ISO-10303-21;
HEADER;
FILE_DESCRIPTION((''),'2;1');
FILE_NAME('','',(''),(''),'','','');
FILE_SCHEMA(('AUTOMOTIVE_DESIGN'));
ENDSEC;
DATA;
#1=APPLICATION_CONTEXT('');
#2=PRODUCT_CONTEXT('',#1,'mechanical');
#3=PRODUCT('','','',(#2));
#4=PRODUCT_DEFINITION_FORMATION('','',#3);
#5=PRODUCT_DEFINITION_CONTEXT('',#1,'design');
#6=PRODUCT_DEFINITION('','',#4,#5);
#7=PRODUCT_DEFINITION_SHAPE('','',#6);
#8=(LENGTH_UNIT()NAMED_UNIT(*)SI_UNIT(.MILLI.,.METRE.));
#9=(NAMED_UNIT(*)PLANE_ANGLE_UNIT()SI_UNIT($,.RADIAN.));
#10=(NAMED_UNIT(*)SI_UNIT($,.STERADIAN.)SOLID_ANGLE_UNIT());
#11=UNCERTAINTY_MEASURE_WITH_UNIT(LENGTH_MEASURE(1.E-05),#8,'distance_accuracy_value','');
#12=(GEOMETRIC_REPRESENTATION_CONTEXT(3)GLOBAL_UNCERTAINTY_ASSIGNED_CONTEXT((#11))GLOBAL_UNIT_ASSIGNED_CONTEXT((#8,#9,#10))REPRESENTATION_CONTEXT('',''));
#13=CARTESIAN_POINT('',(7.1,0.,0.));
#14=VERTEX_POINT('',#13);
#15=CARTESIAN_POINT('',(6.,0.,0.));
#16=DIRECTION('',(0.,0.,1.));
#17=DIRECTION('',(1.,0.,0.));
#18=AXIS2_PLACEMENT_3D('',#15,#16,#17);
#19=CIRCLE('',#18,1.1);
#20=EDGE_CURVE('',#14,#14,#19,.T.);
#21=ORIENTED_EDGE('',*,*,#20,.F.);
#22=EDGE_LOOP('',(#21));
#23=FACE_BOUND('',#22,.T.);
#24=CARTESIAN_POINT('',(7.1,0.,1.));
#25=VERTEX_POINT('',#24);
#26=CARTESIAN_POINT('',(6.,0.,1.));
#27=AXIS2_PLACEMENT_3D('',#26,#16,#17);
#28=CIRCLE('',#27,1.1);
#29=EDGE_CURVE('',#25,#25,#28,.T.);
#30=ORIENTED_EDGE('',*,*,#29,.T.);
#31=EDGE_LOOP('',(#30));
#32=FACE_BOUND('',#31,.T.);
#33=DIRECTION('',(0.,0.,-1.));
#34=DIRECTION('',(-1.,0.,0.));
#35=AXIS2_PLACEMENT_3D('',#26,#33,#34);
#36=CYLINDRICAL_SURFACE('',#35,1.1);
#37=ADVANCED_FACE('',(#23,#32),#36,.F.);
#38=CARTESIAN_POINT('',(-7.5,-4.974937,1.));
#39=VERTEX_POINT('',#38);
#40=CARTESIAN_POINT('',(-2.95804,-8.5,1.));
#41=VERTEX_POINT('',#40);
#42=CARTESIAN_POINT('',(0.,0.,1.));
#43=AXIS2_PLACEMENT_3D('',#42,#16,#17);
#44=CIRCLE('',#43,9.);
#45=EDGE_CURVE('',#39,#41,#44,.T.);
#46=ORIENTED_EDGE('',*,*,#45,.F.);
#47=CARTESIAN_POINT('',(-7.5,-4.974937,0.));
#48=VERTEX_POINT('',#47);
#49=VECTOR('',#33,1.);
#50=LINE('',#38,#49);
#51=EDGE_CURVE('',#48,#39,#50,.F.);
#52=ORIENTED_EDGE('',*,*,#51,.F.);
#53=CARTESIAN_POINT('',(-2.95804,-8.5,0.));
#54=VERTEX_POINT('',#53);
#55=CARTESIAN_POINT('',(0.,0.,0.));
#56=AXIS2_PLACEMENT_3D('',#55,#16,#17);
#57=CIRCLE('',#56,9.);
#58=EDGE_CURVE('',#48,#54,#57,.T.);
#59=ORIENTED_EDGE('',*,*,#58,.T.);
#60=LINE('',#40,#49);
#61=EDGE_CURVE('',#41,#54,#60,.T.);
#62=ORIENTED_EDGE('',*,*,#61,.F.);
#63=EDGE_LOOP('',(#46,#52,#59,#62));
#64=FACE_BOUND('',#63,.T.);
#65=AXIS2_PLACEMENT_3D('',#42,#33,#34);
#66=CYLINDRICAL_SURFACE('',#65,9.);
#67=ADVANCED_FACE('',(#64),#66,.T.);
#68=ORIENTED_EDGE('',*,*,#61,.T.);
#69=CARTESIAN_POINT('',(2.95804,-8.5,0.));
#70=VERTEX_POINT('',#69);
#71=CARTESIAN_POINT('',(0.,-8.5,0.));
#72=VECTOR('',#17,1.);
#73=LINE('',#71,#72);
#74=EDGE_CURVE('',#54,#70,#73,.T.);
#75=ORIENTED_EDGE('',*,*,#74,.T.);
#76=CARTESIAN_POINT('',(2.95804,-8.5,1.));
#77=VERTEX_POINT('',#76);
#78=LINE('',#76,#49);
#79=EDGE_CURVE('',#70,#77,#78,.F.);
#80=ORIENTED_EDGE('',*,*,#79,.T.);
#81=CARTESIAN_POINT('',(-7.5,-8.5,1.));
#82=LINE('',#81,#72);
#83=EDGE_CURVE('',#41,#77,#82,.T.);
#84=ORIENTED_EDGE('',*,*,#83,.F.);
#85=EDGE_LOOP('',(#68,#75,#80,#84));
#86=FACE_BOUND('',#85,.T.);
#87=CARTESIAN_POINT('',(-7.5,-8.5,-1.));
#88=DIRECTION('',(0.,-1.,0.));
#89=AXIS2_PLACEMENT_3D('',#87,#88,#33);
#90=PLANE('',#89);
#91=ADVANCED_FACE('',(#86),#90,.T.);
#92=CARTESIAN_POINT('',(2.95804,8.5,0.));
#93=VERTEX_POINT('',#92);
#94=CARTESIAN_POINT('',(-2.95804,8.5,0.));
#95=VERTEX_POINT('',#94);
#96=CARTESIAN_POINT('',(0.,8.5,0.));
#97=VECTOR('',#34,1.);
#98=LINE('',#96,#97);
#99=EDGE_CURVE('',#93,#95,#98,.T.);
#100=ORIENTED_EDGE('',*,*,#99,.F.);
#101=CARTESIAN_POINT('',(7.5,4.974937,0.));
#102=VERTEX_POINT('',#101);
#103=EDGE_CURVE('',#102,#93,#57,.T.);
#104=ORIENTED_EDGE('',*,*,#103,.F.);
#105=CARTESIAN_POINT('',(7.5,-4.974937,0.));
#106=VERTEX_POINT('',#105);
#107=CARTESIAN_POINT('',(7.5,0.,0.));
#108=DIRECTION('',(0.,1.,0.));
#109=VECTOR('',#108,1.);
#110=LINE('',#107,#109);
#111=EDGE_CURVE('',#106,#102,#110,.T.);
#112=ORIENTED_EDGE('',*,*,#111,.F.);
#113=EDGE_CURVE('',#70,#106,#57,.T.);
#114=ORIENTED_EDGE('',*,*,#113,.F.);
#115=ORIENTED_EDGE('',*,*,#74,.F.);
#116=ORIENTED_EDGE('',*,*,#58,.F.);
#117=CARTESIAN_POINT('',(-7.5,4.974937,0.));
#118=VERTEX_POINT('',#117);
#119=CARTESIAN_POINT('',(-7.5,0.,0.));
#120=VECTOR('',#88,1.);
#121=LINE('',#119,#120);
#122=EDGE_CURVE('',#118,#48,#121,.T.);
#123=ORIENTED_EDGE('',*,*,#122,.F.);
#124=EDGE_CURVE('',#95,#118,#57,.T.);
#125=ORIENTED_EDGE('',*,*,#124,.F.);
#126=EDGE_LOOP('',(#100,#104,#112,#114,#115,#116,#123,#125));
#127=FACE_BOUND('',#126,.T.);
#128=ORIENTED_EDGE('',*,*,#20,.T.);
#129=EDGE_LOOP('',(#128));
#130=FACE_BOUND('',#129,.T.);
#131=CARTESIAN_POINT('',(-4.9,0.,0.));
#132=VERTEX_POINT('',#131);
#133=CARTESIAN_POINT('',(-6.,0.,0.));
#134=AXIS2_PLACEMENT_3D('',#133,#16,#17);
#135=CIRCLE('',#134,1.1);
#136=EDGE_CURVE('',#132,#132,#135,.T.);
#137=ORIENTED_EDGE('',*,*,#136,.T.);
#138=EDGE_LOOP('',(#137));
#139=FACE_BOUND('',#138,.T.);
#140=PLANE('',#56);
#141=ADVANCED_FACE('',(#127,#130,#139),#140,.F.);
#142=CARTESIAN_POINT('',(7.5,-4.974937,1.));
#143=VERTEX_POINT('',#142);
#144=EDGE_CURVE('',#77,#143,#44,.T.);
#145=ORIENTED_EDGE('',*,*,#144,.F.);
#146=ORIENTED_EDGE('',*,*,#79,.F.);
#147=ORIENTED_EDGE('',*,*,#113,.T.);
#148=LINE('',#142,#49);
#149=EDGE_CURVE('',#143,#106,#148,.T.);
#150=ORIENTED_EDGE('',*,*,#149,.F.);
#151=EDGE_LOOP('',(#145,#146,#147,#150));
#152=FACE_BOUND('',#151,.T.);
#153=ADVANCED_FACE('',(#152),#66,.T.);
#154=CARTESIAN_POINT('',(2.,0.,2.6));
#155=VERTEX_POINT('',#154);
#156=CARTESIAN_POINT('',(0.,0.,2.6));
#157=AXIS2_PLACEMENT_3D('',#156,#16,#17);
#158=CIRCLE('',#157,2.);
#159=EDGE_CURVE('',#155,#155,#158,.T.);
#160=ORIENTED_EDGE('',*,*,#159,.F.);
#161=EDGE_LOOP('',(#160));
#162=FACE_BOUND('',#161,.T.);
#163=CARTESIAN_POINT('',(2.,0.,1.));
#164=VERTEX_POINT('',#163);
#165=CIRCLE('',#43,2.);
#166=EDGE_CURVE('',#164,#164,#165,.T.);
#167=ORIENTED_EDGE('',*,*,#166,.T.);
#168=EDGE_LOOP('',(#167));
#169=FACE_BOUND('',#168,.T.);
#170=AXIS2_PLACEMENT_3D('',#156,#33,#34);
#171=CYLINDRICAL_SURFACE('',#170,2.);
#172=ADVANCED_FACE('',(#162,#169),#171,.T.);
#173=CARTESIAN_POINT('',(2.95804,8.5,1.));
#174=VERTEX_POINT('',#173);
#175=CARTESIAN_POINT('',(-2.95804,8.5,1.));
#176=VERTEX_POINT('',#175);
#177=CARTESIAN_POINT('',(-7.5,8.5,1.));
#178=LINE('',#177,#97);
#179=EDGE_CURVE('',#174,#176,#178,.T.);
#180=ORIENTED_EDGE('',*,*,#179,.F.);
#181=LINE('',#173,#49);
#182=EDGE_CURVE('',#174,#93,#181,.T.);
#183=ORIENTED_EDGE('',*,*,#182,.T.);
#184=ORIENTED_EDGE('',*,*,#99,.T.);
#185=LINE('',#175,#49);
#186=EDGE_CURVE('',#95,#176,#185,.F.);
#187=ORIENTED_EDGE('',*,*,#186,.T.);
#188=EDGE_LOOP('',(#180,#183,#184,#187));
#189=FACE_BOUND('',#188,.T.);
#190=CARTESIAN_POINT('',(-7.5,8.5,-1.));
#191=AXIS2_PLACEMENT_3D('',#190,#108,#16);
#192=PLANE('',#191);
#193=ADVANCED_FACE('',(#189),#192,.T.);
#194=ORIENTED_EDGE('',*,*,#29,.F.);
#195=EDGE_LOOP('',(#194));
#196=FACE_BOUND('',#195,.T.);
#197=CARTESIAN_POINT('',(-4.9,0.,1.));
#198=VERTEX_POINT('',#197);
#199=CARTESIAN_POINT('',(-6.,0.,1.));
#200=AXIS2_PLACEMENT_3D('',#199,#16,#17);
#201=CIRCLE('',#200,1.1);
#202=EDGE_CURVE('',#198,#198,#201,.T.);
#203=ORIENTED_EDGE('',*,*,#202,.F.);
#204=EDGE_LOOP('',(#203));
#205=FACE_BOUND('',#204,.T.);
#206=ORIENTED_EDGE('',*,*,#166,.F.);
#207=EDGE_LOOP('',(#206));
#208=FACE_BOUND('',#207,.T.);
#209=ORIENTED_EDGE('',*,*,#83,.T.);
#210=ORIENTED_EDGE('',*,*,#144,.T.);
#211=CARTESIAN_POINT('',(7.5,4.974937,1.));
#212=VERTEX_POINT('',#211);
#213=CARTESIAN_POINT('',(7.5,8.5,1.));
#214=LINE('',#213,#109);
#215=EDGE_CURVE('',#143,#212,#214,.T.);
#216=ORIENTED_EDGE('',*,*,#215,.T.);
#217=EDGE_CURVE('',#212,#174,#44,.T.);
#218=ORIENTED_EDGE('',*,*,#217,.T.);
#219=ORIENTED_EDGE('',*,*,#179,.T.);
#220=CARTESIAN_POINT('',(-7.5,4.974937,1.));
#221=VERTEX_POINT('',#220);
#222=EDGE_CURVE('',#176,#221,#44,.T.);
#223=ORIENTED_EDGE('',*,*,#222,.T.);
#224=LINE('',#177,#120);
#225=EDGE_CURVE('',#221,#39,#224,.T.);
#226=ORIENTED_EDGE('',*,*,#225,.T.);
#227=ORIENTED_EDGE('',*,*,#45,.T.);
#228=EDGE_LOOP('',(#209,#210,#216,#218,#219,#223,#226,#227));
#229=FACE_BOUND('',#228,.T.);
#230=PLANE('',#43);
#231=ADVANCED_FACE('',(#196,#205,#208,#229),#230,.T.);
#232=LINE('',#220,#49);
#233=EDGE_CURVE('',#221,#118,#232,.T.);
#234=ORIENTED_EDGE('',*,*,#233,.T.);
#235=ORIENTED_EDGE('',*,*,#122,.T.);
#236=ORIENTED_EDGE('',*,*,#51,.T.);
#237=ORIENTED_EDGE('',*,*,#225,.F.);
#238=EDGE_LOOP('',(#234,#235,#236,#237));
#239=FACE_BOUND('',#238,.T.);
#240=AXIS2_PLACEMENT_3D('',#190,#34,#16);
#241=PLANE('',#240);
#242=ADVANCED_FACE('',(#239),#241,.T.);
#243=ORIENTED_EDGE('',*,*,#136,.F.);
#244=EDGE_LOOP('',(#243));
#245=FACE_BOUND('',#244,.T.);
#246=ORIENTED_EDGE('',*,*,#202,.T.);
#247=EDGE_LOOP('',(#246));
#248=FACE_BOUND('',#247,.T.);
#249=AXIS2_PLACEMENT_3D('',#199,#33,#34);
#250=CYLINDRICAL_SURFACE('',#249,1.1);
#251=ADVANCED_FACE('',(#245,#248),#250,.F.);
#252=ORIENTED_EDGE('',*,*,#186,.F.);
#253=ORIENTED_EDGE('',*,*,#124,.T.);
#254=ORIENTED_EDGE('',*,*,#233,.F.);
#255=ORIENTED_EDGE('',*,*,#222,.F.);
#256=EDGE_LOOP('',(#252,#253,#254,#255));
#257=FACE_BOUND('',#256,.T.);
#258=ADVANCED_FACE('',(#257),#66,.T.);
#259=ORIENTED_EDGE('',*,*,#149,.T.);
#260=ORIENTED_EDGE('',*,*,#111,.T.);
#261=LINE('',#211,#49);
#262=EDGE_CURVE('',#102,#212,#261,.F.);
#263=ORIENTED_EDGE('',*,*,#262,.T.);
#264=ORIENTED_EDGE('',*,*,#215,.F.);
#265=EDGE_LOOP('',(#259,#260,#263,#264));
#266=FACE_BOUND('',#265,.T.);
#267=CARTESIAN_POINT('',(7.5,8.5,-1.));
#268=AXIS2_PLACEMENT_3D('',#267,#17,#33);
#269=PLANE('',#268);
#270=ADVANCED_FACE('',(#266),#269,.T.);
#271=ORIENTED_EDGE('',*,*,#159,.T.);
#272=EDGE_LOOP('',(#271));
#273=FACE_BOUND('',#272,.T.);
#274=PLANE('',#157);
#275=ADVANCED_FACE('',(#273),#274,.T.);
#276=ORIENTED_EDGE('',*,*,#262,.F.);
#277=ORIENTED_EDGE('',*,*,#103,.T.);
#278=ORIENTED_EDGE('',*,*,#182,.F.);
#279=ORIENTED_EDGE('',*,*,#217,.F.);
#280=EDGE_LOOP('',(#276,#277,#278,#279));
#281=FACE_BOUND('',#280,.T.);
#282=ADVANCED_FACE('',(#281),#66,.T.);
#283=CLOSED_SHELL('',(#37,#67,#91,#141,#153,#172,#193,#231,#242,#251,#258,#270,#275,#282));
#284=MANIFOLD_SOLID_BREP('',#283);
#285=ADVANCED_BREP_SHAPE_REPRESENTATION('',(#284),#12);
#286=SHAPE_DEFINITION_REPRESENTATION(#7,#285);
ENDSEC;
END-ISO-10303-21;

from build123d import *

# Parameters (mm, degrees)
SKETCH_1_R          = 9
SKETCH_1_R_2        = 1.1
EXTRUDE_1_DEPTH     = 1
SKETCH_2_W          = 32.389432278
SKETCH_2_H          = 26.120675296
SKETCH_2_W_2        = 15
SKETCH_2_H_2        = 17
CUT_EXTRUDE_1_DEPTH = 2
SKETCH_3_R          = 2
EXTRUDE_2_DEPTH     = 1.6


with BuildPart() as part:
    # 草图1 → 凸台-拉伸1 (new body)
    with BuildSketch(Plane.XY):
        Circle(SKETCH_1_R)
        with Locations((6, 0)):
            Circle(SKETCH_1_R_2, mode=Mode.SUBTRACT)
        with Locations((-6, 0)):
            Circle(SKETCH_1_R_2, mode=Mode.SUBTRACT)
    extrude(amount=EXTRUDE_1_DEPTH)

    # 草图2 → 切除-拉伸1 (cut)
    with BuildSketch(Plane.XY.offset(1)):
        Rectangle(SKETCH_2_W, SKETCH_2_H)
        Rectangle(SKETCH_2_W_2, SKETCH_2_H_2, mode=Mode.SUBTRACT)
    extrude(amount=-CUT_EXTRUDE_1_DEPTH, mode=Mode.SUBTRACT)

    # 草图3 → 凸台-拉伸2 (add)
    with BuildSketch(Plane.XY.offset(1)):
        Circle(SKETCH_3_R)
    extrude(amount=EXTRUDE_2_DEPTH)


solid = part.part
